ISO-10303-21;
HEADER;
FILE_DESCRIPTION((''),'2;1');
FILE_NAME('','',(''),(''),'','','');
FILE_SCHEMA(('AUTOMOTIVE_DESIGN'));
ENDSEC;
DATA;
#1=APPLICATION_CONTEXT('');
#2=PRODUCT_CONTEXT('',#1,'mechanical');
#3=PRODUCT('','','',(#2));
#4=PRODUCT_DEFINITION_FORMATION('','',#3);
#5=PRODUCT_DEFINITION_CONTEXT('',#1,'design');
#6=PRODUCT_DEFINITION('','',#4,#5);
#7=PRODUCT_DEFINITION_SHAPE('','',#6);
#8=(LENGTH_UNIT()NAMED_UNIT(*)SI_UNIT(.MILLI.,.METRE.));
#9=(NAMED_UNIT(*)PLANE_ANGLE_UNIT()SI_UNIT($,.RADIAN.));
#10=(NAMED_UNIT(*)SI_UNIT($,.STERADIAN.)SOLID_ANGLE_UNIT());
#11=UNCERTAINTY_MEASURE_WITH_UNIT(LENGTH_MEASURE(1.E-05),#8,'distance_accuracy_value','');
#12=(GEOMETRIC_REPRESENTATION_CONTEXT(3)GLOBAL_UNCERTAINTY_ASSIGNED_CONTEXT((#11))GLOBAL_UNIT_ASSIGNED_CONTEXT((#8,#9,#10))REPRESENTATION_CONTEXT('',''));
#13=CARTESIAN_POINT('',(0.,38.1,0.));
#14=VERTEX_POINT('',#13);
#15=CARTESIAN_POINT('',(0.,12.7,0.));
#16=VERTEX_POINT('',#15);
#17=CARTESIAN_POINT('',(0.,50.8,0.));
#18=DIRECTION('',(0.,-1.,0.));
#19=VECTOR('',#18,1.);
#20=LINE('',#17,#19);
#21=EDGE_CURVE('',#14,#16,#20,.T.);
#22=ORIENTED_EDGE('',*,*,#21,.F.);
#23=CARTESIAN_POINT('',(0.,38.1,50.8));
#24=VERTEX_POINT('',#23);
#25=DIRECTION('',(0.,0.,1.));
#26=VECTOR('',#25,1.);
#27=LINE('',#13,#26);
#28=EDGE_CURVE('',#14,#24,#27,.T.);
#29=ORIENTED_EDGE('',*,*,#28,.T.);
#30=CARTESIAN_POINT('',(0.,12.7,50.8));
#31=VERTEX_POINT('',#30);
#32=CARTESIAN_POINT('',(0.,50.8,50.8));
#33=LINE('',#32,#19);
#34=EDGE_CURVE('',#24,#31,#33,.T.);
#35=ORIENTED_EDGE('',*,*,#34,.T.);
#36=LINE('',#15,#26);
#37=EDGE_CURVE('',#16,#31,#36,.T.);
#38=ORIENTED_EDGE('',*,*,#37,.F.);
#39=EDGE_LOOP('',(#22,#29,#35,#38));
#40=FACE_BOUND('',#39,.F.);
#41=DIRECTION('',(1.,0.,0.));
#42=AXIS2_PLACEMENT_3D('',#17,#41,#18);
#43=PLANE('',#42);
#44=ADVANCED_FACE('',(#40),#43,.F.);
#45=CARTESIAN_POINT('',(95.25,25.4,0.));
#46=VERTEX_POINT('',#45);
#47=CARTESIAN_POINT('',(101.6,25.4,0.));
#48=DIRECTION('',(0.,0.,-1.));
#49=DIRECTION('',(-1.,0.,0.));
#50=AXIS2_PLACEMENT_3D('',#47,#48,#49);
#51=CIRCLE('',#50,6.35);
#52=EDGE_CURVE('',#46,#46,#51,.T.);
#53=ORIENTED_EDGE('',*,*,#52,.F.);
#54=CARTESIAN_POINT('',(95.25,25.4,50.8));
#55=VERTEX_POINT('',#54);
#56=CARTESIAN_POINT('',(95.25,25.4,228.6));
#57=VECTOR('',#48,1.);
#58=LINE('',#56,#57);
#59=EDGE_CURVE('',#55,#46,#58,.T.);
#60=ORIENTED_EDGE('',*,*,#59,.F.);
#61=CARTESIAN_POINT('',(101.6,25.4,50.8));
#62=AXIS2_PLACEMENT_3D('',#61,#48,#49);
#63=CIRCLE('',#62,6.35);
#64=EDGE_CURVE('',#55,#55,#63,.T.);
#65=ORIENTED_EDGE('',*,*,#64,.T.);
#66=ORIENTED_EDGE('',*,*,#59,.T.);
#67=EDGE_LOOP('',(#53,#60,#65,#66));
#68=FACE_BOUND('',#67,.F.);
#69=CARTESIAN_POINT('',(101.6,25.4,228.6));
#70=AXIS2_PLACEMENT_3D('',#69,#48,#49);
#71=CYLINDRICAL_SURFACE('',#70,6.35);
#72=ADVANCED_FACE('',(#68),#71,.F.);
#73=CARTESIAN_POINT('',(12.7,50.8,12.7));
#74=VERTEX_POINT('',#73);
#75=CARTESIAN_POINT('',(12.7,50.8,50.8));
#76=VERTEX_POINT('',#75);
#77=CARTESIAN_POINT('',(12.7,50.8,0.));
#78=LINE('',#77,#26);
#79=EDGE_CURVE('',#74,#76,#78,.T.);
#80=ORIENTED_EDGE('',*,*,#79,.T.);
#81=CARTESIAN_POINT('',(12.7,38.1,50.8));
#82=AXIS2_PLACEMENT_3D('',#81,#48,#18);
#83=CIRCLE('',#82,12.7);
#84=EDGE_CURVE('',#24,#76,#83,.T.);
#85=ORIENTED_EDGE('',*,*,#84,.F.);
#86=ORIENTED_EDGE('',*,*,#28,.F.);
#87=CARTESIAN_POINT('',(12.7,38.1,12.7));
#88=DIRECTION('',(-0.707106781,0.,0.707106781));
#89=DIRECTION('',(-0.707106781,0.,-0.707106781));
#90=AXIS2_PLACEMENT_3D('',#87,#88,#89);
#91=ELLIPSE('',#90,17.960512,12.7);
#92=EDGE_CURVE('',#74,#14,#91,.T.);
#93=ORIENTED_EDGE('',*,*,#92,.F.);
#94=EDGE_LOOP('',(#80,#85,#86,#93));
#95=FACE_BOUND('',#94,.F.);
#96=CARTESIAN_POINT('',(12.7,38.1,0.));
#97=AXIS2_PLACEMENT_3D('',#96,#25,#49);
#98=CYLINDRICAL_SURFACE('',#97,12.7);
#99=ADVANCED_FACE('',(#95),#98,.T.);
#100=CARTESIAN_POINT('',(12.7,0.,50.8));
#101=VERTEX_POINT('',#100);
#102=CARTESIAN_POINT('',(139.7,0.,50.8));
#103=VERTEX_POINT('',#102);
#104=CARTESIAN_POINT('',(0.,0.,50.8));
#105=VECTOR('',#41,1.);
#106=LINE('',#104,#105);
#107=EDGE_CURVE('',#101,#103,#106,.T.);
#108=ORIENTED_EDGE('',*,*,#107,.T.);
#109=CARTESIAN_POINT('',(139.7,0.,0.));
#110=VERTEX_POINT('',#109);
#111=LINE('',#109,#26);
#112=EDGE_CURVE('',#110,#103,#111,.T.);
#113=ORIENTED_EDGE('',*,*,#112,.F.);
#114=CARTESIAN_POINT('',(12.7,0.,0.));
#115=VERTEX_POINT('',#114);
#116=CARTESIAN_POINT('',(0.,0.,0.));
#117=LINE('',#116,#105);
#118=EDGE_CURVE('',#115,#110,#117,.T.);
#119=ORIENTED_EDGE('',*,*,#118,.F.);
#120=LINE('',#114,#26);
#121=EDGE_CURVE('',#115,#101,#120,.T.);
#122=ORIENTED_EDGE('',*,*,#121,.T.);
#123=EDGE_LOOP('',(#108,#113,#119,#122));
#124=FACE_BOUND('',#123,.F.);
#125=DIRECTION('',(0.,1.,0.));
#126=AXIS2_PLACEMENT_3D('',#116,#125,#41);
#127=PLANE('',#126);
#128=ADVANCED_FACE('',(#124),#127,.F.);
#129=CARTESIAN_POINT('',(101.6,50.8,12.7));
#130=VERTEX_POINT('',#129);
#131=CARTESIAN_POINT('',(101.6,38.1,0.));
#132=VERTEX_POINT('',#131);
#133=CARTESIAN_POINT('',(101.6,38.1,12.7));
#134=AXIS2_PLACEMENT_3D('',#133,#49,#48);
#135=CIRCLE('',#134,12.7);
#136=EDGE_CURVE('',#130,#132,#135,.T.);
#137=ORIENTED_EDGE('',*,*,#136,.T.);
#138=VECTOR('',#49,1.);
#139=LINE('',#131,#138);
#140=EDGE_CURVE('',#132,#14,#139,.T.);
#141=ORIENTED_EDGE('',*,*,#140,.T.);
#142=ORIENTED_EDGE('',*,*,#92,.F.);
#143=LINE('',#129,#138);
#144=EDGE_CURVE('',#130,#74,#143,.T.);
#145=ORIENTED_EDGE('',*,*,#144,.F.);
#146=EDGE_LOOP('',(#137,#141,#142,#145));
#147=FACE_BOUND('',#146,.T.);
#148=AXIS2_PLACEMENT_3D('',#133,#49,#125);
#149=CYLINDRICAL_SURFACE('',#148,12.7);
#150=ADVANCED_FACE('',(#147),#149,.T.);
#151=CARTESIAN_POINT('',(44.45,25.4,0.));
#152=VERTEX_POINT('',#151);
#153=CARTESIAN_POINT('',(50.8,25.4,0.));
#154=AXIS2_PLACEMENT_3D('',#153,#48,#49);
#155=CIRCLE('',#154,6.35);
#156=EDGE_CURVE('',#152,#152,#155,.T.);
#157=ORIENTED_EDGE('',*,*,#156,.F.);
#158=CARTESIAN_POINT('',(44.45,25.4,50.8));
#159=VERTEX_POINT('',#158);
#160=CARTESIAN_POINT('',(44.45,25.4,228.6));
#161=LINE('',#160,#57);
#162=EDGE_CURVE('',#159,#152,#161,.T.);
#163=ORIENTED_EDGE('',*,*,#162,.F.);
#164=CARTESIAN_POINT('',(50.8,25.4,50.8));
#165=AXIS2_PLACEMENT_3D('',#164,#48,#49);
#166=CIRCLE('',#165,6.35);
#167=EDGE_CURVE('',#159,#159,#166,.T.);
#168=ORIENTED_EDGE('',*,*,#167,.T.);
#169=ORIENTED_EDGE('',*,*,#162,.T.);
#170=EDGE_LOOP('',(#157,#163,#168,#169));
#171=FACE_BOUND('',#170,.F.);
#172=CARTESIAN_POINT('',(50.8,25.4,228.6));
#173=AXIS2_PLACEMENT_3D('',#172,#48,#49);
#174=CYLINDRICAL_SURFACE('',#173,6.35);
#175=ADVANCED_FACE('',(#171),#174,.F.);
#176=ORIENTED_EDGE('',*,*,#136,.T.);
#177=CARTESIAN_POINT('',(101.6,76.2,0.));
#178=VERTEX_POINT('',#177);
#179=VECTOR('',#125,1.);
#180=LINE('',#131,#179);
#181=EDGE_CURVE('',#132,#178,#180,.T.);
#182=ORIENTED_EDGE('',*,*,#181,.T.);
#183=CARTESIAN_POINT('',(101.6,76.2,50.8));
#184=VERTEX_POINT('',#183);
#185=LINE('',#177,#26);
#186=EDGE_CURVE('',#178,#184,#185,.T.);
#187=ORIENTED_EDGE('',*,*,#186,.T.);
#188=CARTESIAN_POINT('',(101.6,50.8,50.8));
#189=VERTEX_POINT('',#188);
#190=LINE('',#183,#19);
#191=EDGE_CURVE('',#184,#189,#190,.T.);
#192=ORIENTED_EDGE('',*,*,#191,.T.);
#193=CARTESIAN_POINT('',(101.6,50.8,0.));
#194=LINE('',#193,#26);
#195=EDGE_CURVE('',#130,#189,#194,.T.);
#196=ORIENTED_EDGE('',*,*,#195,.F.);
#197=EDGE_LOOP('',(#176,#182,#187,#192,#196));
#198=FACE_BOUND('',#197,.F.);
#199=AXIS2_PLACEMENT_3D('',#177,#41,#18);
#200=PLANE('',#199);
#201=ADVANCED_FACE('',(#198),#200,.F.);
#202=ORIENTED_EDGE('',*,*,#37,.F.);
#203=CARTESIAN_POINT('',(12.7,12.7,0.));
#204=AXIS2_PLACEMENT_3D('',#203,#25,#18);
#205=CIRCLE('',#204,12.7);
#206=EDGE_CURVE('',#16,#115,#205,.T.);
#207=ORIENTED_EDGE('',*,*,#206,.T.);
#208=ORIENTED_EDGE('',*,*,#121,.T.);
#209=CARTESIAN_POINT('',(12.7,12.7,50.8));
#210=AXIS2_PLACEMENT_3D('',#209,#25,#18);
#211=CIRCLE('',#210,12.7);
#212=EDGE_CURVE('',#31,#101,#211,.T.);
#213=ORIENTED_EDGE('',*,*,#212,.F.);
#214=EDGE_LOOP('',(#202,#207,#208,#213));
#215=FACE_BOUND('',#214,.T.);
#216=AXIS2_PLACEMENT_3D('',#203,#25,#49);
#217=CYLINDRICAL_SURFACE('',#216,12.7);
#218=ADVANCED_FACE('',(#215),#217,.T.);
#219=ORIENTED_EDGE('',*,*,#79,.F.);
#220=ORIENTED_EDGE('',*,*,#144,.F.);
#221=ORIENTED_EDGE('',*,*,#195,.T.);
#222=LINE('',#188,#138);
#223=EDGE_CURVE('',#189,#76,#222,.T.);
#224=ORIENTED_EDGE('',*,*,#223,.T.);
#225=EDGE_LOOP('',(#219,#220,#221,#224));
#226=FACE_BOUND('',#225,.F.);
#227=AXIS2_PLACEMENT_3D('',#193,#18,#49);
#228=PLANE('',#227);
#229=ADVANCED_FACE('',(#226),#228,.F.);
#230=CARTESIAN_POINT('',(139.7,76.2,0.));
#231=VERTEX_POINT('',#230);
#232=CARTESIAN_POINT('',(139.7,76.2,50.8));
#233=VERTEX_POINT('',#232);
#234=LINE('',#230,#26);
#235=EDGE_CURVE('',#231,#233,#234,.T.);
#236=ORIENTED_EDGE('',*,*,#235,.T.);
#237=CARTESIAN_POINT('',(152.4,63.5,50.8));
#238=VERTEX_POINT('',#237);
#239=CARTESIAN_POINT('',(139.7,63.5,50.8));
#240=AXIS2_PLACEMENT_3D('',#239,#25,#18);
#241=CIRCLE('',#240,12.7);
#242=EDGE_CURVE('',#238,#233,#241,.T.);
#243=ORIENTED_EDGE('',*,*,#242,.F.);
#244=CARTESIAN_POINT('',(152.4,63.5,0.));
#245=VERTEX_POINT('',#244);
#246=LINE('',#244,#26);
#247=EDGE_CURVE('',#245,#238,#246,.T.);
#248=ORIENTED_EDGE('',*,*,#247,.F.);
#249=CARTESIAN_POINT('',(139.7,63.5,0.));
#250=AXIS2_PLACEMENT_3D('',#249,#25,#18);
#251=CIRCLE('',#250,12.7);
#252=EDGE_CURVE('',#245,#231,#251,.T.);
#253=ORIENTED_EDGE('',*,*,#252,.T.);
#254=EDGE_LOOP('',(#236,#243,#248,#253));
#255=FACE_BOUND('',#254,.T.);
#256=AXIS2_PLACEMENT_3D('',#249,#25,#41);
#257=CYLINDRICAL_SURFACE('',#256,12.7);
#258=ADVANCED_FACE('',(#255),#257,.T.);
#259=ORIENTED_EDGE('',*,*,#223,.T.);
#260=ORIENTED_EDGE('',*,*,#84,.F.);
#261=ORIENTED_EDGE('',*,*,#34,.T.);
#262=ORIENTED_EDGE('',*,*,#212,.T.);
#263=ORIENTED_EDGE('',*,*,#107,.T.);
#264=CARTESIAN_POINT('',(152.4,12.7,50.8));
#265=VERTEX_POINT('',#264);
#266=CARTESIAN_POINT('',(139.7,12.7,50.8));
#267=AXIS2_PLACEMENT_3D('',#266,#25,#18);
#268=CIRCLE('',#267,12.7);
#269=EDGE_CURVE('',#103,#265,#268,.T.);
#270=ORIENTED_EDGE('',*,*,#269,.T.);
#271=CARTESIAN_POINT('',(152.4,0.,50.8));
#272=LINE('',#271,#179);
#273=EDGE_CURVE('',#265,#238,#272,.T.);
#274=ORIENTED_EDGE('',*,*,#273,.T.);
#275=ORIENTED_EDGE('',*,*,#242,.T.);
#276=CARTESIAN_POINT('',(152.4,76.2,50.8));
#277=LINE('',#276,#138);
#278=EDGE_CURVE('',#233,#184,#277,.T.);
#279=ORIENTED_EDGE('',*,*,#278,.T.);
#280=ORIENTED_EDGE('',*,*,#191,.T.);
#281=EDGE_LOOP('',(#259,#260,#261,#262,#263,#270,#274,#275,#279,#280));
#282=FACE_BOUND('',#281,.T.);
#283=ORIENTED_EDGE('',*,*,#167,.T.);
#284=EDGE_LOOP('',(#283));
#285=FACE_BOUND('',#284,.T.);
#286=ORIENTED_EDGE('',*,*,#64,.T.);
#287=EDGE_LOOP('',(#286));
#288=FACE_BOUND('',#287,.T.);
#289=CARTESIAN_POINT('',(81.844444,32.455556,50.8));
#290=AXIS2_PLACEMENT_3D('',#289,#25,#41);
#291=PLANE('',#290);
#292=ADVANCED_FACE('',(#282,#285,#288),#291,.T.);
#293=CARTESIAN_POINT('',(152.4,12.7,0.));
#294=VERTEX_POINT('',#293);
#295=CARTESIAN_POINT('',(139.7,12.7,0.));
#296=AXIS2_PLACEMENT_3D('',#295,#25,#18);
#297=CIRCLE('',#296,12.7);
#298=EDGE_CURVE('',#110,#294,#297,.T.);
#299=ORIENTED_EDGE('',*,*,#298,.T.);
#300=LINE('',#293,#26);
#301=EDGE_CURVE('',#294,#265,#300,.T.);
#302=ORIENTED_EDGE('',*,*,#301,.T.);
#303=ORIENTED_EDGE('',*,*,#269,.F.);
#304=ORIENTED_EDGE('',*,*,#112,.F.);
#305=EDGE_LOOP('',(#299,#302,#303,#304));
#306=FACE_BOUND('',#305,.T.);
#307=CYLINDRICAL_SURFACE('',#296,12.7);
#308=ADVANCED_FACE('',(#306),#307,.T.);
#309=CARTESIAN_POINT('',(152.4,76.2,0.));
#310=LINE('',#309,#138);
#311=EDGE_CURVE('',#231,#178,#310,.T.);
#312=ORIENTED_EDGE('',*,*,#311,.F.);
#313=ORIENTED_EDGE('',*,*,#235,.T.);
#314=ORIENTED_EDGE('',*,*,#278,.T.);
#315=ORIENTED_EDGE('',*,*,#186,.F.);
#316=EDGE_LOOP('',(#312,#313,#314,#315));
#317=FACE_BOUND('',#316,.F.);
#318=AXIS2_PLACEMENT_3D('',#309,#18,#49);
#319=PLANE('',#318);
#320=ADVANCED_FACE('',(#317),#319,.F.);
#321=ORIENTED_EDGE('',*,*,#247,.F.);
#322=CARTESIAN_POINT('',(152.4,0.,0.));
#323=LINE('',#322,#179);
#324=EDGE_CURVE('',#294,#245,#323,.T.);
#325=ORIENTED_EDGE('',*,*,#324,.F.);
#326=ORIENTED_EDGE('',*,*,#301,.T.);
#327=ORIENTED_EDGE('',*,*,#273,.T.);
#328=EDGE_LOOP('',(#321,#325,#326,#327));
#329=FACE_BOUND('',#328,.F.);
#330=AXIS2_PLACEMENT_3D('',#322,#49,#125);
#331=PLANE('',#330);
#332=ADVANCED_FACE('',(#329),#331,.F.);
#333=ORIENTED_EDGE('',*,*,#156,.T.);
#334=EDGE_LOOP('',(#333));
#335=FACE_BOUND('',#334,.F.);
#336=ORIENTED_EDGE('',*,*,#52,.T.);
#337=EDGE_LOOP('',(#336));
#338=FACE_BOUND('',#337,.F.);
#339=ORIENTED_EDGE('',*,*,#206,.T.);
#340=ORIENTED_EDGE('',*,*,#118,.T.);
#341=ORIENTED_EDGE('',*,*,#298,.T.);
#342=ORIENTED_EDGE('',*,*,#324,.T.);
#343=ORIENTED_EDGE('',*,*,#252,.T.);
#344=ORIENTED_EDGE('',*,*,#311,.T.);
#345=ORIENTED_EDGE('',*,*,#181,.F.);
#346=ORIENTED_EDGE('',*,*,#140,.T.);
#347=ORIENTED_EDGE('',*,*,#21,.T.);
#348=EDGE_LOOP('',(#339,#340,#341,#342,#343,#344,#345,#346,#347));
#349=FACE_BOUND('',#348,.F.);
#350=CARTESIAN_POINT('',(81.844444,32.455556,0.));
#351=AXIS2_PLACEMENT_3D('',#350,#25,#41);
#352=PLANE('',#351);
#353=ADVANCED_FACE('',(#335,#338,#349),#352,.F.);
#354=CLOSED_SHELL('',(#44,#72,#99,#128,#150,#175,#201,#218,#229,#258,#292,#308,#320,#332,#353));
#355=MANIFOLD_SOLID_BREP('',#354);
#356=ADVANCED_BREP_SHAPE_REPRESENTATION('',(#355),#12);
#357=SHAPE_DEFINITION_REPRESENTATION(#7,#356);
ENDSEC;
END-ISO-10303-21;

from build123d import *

# Parameters (mm, degrees)
F1_DEPTH = 50.8
F2_R     = 12.7
F4_D     = 12.7


with BuildPart() as f1:
    # F0 (on Top) → F1 (new body)
    with BuildSketch(Plane.XY):
        Polygon((0, 50.8), (0, 0), (152.4, 0), (152.4, 76.2), (101.6, 76.2), (101.6, 50.8), align=None)
    extrude(amount=F1_DEPTH)

    # F2
    f2_edges = [f1.edges().sort_by_distance(p)[0] for p in [
        (152.4, 76.2, 25.4),
        (152.4, 0, 25.4),
        (50.8, 50.8, 0),
        (0, 50.8, 25.4),
        (0, 0, 25.4),
    ]]
    fillet(f2_edges, radius=F2_R)

    # F4 (through all)
    with Locations(Plane.XY.offset(50.8)):
        with Locations((50.8, 25.4), (101.6, 25.4)):
            Hole(F4_D / 2)


solid = f1.part
